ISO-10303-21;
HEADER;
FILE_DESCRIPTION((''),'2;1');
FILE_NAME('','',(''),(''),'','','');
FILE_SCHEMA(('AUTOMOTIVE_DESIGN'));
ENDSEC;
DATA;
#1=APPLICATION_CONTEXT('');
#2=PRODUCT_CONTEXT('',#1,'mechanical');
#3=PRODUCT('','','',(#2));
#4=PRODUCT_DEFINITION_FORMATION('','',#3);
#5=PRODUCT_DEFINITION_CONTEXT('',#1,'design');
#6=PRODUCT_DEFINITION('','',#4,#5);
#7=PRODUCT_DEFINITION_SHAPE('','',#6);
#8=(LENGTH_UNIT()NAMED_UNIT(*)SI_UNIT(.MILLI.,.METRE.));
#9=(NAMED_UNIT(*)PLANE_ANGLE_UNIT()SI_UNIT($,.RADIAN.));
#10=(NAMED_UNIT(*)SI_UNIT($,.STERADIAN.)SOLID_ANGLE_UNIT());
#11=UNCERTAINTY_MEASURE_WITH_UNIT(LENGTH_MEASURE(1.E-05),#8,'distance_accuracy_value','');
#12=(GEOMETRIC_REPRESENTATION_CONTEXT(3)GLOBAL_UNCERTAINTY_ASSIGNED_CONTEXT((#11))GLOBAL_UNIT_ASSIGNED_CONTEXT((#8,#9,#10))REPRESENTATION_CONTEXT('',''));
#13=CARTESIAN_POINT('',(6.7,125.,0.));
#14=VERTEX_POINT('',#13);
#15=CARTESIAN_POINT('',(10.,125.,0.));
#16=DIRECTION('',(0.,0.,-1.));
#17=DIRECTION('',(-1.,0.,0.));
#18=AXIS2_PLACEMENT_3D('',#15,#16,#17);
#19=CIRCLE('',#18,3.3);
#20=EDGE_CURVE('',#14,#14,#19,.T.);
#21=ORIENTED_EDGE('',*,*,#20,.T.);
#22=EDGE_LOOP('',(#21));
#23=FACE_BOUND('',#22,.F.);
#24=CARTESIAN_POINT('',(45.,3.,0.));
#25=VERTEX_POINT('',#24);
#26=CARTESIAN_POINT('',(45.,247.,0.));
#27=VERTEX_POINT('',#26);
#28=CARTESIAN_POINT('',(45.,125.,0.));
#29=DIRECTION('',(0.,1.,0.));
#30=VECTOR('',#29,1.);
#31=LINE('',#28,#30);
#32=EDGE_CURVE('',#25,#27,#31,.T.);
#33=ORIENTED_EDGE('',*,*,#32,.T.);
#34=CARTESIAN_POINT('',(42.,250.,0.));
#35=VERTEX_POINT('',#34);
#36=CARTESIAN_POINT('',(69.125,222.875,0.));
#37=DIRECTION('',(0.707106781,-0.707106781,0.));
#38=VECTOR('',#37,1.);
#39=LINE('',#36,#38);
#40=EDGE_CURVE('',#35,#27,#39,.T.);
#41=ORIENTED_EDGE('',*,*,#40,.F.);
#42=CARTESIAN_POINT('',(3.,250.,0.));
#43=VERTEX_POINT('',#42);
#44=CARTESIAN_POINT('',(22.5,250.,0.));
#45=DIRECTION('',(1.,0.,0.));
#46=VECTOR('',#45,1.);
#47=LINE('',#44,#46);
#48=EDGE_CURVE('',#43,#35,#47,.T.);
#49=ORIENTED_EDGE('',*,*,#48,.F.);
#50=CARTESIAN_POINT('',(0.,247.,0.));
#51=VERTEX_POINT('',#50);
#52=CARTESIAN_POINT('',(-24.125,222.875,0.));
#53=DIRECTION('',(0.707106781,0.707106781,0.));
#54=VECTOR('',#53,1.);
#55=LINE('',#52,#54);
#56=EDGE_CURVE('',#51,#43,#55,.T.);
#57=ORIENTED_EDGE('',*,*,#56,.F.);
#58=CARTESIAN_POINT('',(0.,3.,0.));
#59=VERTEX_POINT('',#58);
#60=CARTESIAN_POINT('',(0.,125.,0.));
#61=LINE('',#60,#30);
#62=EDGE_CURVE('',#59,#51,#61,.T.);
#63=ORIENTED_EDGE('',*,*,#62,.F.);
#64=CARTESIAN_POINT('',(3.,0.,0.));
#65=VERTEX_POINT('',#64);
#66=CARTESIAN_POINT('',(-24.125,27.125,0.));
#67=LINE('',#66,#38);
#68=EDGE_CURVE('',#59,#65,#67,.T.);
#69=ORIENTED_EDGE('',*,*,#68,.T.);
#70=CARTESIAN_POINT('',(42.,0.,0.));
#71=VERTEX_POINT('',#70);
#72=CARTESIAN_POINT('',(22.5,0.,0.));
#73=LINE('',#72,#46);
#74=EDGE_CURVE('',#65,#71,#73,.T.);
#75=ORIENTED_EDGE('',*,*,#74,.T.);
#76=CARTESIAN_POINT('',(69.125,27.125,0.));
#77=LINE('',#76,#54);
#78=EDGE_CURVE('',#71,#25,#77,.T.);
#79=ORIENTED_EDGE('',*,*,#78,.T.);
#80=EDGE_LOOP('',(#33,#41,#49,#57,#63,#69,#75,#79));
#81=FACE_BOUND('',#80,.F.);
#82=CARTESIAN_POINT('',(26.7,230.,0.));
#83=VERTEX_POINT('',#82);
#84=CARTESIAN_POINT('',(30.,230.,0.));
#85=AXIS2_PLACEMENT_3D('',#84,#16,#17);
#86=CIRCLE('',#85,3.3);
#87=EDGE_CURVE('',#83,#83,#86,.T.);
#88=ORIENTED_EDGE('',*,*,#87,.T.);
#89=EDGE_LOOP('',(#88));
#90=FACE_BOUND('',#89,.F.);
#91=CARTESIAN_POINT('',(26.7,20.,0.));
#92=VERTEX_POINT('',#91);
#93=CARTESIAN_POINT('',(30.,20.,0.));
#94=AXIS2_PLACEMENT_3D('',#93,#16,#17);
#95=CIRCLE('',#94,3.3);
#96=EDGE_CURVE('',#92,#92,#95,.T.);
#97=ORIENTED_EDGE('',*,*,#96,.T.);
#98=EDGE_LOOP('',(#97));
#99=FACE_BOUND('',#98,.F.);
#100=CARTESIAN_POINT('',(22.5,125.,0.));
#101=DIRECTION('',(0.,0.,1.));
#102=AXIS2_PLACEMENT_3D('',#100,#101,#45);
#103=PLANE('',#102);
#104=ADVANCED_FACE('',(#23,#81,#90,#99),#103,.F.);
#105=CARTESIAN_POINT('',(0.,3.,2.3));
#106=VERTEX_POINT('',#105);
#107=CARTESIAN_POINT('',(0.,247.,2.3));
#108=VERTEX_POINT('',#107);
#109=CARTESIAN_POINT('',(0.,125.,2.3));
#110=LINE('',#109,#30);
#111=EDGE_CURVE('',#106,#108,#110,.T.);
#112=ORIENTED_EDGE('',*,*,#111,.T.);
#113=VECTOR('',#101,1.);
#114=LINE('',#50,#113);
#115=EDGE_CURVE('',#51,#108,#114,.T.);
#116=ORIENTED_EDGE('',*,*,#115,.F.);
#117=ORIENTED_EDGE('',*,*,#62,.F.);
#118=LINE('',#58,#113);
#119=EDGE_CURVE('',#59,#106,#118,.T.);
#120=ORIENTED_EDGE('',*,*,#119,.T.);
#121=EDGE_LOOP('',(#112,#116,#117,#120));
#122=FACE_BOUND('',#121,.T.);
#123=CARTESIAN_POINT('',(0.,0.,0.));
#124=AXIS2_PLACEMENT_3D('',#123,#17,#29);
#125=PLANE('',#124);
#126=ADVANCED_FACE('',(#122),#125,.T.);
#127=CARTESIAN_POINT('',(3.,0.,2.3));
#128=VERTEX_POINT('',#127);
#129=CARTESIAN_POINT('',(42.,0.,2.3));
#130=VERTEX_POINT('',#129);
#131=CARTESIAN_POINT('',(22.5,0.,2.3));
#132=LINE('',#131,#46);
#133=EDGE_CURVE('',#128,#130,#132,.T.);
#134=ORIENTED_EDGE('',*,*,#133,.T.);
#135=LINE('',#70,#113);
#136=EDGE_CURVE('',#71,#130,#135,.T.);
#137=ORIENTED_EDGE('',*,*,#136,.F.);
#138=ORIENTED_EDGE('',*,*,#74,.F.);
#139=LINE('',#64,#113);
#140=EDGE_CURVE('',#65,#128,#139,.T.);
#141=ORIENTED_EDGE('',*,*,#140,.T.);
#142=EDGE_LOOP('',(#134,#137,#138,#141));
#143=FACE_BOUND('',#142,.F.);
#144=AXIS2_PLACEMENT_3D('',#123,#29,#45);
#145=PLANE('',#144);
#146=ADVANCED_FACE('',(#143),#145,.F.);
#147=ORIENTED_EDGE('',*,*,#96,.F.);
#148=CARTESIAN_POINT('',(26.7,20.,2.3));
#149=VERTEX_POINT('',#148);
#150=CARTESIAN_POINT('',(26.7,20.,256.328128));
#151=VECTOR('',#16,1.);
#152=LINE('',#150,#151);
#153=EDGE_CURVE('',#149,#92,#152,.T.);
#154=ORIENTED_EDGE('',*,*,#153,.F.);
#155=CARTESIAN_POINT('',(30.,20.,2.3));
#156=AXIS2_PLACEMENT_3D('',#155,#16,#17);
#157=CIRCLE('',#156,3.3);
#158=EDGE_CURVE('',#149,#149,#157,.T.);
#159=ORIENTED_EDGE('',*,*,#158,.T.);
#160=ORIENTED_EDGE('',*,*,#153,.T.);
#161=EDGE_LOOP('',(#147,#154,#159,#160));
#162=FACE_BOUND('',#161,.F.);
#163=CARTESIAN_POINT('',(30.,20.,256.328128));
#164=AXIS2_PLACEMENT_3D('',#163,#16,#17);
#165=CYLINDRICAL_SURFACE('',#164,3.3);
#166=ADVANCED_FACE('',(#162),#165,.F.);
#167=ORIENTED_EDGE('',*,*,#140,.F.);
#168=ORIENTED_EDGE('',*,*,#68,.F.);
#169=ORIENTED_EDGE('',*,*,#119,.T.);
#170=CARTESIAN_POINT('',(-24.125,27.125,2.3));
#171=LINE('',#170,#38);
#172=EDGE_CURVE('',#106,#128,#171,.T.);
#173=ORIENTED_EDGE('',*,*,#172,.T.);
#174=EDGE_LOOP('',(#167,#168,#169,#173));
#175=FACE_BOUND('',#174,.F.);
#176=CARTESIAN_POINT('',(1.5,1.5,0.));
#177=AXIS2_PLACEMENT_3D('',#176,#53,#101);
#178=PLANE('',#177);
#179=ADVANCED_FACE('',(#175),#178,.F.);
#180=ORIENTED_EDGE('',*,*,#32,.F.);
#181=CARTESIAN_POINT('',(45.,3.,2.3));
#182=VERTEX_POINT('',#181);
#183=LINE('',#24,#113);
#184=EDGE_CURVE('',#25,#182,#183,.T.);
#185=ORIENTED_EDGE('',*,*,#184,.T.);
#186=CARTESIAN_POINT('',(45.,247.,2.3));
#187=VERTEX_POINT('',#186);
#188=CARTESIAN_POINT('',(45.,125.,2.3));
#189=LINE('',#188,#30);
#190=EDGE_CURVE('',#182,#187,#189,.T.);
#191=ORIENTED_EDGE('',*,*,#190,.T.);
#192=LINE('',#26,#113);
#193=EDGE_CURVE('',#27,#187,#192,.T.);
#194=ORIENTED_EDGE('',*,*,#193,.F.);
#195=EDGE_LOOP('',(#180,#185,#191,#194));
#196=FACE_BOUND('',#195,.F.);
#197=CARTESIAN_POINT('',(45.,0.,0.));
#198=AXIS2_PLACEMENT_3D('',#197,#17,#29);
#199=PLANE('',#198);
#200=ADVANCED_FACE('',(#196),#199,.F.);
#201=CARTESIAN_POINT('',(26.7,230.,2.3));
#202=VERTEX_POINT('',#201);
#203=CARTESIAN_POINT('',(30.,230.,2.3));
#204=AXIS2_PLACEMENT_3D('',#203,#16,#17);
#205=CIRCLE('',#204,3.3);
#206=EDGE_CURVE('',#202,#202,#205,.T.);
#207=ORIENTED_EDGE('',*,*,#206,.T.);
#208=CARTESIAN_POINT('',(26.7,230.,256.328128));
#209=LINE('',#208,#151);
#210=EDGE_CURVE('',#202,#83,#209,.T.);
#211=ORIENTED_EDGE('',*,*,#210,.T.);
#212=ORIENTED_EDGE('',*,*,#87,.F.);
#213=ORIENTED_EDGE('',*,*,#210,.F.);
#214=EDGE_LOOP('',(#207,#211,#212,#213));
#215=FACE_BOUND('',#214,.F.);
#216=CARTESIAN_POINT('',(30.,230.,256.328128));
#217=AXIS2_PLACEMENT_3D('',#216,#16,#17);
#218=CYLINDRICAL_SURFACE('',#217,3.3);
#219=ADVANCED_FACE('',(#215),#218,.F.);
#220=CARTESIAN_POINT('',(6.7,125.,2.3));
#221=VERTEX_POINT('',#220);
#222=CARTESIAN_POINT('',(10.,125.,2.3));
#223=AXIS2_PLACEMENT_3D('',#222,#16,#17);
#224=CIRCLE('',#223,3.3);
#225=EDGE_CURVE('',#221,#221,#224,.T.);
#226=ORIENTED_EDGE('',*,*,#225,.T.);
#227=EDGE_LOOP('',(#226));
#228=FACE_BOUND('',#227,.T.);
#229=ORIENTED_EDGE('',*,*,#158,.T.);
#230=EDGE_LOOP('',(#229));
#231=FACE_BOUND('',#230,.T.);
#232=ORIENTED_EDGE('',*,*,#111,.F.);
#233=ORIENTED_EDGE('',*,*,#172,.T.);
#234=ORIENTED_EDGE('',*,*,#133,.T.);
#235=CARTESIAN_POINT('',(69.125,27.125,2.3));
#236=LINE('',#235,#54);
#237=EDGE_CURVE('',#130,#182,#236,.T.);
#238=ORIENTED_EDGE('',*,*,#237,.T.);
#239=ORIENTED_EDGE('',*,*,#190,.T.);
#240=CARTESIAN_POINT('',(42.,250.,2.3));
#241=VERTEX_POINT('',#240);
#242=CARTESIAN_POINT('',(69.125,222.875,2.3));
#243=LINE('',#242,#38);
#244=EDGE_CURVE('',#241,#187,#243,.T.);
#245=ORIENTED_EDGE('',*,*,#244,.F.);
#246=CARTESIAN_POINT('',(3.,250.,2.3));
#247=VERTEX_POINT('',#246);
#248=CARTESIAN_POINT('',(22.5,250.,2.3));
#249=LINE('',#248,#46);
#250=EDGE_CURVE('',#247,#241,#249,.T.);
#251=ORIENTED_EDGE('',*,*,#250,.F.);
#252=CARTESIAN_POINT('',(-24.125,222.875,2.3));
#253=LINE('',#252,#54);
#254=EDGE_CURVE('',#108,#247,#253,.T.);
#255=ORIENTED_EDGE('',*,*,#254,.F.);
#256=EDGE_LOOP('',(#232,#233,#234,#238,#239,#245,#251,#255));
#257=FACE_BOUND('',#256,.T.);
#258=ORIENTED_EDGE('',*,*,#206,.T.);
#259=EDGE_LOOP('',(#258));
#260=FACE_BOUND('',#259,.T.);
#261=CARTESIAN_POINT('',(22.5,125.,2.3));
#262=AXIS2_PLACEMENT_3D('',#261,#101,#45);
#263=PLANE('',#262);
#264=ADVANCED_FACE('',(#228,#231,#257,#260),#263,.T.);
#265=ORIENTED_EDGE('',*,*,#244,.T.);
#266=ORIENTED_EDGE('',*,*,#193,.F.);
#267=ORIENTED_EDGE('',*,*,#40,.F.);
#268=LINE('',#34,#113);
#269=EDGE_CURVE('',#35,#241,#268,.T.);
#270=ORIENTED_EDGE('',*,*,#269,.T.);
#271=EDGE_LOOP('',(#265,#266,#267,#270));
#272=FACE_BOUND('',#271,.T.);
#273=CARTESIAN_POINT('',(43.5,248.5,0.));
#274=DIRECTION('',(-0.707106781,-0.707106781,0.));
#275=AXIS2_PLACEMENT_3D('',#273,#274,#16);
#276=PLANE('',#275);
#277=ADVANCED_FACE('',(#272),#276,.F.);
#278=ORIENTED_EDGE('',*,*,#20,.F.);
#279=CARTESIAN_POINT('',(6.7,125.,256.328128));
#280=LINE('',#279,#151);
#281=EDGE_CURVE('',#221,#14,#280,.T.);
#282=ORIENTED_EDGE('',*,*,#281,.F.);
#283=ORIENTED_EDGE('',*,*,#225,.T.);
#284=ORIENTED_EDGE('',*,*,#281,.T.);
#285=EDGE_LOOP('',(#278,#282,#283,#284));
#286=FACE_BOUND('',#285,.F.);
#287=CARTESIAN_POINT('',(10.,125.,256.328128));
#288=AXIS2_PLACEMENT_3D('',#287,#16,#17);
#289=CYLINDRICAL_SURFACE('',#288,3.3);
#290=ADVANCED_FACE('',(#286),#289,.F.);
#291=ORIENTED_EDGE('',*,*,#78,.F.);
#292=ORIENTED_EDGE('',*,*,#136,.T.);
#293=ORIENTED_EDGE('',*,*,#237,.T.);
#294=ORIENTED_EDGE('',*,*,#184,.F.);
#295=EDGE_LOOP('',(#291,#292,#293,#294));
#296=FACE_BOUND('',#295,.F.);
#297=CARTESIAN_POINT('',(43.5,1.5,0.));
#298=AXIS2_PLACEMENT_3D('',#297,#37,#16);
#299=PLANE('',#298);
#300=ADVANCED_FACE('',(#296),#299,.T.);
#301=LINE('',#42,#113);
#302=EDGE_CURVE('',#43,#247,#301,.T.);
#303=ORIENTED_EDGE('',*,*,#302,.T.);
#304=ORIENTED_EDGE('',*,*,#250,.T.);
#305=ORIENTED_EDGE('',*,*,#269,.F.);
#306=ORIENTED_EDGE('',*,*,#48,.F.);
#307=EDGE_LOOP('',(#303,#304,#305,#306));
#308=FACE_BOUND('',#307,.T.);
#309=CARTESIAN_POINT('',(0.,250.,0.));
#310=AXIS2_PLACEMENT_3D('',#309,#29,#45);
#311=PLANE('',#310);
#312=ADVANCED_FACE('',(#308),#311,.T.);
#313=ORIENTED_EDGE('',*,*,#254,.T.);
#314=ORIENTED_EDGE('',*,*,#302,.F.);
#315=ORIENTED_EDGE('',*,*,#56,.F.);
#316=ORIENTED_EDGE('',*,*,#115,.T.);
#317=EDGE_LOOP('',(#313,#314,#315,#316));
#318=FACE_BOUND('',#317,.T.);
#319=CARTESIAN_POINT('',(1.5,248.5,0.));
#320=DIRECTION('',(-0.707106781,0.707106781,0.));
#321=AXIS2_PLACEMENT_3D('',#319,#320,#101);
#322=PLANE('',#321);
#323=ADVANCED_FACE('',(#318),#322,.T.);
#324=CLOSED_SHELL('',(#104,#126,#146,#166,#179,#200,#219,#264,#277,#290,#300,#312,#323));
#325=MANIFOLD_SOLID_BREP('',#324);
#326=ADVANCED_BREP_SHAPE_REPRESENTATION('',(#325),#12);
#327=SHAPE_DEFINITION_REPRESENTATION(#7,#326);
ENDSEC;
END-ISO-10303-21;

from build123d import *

# Parameters (mm, degrees)
F0_W     = 45
F0_H     = 250
F1_DEPTH = 2.3
F3_D     = 6.6
F4_SIZE  = 3


with BuildPart() as f1:
    # F0 (on Top) → F1 (new body)
    with BuildSketch(Plane.XY):
        with Locations((22.5, 125)):
            Rectangle(F0_W, F0_H)
    extrude(amount=F1_DEPTH)

    # F3 (through all)
    with Locations(Plane.XY.offset(2.3)):
        with Locations((30, 230), (10, 125), (30, 20)):
            Hole(F3_D / 2)

    # F4
    f4_edges = [f1.edges().sort_by_distance(p)[0] for p in [
        (0, 250, 1.15),
        (45, 250, 1.15),
        (0, 0, 1.15),
        (45, 0, 1.15),
    ]]
    chamfer(f4_edges, length=F4_SIZE)


solid = f1.part
